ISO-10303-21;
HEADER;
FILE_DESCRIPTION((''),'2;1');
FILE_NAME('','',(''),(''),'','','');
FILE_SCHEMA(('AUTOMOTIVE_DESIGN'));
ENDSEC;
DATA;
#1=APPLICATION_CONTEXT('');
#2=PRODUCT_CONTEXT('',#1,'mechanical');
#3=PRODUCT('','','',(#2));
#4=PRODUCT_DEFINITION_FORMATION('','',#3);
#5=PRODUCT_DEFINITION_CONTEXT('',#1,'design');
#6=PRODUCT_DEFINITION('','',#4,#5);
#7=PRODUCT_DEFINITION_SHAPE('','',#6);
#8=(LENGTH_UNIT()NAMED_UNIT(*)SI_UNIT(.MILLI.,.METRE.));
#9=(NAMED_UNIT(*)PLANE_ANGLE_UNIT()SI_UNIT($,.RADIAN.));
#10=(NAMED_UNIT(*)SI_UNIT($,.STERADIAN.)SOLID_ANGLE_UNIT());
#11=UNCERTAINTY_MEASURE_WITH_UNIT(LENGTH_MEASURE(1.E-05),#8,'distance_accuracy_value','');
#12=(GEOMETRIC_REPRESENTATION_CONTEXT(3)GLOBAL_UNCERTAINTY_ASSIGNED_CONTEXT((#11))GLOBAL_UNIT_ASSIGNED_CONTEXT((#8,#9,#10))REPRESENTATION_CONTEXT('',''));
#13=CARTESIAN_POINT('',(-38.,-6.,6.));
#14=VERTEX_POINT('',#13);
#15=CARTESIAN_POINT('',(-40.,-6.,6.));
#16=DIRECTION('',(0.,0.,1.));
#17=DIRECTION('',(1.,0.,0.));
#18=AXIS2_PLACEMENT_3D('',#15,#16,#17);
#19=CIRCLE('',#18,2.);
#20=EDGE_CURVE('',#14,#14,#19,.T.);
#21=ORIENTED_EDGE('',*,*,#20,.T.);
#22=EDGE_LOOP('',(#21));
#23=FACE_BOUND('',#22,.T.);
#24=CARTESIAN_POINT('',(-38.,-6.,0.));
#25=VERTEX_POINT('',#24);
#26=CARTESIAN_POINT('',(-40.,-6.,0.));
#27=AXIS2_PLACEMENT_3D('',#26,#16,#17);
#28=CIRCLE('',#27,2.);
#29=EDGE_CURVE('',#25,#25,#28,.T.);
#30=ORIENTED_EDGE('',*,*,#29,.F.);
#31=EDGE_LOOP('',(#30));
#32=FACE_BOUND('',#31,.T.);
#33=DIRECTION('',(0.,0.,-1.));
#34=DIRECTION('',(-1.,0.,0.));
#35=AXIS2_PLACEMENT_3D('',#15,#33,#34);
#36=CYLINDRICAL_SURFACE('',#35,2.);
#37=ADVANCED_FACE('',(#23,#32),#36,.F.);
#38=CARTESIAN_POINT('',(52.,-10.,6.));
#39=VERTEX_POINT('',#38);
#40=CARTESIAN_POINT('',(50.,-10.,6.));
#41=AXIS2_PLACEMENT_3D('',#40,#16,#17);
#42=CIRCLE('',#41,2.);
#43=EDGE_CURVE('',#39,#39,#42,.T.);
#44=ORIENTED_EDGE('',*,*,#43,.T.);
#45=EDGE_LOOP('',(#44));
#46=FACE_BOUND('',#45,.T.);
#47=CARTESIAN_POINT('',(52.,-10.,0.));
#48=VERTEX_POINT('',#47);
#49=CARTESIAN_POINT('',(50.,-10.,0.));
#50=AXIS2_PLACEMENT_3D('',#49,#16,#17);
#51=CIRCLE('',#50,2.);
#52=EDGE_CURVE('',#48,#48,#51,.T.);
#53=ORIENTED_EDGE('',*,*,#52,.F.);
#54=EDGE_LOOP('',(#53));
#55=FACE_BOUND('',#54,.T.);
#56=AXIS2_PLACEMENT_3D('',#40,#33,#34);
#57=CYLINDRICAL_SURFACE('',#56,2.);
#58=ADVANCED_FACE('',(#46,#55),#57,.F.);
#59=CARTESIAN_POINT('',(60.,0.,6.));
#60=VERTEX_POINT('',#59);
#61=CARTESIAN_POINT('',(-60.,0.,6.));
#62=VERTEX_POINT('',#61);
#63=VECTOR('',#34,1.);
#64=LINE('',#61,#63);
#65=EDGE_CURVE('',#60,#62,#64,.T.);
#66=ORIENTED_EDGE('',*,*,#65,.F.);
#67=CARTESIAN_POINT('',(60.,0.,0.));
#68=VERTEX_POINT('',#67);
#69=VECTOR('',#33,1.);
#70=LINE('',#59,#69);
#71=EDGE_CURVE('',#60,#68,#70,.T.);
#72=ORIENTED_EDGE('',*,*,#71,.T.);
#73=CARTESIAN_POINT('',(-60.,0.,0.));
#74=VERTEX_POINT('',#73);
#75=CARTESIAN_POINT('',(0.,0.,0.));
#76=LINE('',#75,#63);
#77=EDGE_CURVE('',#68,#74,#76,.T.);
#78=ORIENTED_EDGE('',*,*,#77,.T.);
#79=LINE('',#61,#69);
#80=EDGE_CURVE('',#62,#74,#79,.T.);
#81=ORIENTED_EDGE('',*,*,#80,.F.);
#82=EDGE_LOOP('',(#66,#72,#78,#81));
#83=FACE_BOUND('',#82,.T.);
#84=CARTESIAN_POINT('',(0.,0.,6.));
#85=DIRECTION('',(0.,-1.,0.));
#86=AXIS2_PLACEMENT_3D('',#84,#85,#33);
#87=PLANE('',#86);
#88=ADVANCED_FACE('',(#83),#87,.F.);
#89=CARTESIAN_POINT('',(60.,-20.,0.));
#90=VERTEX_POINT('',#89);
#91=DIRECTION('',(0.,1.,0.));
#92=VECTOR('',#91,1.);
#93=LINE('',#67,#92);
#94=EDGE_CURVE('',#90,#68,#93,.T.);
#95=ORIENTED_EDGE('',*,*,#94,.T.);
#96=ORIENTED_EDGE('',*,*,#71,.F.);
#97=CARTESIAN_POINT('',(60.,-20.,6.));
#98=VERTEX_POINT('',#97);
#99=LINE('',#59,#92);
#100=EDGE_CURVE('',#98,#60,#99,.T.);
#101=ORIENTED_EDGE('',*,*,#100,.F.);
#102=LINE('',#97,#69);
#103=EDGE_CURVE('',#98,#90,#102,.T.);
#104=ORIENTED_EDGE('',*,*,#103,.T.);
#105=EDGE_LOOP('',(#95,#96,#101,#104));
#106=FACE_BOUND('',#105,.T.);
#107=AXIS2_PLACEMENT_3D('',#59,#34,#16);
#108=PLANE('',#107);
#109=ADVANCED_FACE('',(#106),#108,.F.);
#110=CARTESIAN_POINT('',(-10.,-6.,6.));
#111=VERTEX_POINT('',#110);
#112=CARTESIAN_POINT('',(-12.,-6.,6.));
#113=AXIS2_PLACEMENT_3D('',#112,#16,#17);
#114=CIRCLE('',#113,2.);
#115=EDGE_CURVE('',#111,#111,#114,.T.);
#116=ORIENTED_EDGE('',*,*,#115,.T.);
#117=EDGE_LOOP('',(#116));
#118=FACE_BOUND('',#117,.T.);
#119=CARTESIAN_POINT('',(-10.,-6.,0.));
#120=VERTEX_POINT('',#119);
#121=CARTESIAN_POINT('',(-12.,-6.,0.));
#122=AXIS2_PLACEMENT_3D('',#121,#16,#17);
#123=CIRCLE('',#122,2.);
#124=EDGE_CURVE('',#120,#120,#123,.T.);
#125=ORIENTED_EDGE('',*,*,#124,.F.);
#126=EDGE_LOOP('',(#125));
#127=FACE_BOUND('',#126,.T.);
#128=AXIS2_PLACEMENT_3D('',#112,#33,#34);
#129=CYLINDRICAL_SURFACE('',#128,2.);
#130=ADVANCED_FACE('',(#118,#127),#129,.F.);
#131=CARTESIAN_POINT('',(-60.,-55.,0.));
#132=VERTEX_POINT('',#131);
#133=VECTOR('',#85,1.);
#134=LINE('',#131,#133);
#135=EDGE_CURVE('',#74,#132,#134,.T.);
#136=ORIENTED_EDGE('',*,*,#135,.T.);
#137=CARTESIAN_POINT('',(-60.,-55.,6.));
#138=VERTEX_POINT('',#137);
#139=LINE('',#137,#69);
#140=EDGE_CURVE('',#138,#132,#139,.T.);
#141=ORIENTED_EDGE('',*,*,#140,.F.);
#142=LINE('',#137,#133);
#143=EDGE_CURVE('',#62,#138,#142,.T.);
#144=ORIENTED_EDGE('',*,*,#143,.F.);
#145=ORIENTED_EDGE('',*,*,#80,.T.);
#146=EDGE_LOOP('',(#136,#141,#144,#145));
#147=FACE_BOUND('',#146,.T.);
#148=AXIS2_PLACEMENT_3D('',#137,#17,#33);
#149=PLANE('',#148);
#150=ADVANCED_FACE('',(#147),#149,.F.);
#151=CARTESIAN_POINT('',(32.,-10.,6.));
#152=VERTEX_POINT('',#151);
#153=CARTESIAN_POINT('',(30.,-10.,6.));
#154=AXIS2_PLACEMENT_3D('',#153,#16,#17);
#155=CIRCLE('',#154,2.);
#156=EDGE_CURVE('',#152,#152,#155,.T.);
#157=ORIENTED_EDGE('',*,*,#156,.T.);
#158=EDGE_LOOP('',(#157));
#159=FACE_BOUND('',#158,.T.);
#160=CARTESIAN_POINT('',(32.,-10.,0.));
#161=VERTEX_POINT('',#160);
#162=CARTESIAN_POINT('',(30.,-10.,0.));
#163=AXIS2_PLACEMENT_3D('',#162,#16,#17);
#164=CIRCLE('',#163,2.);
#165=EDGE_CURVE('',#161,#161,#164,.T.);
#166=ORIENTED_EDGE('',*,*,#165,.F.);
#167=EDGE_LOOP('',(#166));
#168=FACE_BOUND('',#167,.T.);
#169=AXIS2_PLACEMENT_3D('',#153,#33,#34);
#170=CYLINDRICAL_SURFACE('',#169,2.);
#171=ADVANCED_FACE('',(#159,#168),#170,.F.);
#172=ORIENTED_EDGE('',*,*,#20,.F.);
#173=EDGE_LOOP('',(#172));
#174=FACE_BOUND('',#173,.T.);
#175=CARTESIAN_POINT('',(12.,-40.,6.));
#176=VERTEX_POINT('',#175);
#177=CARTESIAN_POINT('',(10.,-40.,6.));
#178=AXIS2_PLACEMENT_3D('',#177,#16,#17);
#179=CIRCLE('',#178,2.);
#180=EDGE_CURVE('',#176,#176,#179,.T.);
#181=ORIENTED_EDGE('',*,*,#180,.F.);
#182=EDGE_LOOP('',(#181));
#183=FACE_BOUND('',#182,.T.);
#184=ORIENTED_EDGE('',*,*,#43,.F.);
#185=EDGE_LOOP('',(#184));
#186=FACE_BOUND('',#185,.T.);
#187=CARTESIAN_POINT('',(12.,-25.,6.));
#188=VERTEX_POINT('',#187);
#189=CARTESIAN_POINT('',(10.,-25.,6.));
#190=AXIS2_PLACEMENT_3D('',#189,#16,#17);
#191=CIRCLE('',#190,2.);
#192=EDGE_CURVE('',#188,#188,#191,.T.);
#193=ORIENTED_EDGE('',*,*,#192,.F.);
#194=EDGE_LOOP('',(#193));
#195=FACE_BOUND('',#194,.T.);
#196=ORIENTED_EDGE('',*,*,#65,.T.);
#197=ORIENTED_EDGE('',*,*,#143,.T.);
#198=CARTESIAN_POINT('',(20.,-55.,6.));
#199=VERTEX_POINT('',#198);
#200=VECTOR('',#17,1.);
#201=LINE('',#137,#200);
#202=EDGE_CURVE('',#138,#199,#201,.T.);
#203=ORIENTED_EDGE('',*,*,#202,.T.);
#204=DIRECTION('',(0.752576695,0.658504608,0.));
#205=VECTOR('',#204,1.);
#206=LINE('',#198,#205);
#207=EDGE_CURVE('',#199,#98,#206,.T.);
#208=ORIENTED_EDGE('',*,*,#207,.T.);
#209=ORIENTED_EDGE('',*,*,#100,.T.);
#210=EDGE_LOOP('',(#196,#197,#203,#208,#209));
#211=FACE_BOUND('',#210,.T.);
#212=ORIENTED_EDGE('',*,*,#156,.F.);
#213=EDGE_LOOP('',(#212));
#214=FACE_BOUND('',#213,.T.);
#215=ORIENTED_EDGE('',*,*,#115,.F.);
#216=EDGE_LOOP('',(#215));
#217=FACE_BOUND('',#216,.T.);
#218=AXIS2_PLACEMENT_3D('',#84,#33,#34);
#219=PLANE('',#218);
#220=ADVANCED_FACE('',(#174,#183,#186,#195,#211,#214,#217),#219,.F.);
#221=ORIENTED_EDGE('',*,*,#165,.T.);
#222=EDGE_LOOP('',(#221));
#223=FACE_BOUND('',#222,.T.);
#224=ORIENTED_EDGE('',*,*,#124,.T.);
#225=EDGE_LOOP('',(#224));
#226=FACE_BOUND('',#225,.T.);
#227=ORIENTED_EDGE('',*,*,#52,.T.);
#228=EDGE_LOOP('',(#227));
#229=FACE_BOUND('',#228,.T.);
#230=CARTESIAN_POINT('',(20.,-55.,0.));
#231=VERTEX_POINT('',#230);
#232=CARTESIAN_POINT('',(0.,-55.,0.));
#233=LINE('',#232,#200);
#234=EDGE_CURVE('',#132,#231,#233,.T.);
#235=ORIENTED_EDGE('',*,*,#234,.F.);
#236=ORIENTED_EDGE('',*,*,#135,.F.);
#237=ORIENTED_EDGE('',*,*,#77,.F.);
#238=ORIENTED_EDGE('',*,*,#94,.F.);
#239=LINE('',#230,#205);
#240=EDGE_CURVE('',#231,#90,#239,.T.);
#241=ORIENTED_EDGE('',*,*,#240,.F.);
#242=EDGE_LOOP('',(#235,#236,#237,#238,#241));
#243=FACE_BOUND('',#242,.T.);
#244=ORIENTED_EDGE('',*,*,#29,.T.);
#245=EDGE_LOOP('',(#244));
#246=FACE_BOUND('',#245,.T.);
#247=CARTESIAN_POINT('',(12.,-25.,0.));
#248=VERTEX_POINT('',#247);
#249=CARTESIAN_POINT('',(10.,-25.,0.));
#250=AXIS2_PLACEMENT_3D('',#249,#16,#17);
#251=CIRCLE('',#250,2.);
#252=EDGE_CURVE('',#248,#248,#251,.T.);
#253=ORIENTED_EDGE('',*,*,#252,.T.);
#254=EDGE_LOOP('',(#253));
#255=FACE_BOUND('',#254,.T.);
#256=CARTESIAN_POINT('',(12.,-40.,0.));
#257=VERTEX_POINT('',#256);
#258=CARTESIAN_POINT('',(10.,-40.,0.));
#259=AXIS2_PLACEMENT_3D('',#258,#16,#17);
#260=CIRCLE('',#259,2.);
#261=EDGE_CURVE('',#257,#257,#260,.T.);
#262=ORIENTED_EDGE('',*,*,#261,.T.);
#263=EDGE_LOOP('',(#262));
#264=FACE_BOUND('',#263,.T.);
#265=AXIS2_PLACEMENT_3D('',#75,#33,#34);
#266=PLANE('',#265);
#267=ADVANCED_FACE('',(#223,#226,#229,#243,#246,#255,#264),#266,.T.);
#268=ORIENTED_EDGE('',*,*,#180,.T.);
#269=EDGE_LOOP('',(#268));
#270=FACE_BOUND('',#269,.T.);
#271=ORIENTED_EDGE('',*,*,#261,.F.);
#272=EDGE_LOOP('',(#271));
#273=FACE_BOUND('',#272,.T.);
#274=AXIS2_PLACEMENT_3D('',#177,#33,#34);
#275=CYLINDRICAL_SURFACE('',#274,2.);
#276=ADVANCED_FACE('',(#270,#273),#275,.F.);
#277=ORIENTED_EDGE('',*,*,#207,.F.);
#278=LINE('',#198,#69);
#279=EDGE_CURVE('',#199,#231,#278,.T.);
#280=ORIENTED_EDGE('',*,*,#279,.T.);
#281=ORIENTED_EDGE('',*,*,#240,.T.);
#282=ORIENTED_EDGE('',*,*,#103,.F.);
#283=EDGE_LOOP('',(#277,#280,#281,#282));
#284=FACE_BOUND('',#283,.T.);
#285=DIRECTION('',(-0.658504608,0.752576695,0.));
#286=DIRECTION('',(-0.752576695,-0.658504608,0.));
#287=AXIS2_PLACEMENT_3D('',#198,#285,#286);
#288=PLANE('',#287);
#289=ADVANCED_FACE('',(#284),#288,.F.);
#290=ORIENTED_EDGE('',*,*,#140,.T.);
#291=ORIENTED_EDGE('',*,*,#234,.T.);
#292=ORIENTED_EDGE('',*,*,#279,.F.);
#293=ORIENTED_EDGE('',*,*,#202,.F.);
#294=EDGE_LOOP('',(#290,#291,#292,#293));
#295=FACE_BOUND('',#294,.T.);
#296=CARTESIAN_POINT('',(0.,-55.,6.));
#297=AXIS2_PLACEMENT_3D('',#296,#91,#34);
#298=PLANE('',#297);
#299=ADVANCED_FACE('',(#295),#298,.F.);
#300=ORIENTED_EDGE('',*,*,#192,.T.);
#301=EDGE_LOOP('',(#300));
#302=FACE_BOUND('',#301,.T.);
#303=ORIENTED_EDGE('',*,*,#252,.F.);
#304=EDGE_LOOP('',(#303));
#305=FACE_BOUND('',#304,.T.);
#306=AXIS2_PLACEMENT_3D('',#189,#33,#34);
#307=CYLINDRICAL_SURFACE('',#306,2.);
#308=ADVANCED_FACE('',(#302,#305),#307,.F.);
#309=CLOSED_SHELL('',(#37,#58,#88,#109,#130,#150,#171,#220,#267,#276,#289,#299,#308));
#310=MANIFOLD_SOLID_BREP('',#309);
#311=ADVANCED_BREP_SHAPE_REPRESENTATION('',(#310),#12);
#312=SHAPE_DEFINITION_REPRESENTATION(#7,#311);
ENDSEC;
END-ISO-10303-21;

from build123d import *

# Parameters (mm, degrees)
SKETCH1_R           = 2
BOSS_EXTRUDE1_DEPTH = 6


with BuildPart() as part:
    # Sketch1 → Boss-Extrude1 (new body)
    with BuildSketch(Plane.XY):
        Polygon((20, -55), (60, -20), (60, 0), (0, 0), (-60, 0), (-60, -55), (0, -55), align=None)
        with Locations((50, -10)):
            Circle(SKETCH1_R, mode=Mode.SUBTRACT)
        with Locations((30, -10)):
            Circle(SKETCH1_R, mode=Mode.SUBTRACT)
        with Locations((10, -40)):
            Circle(SKETCH1_R, mode=Mode.SUBTRACT)
        with Locations((10, -25)):
            Circle(SKETCH1_R, mode=Mode.SUBTRACT)
        with Locations((-40, -6)):
            Circle(SKETCH1_R, mode=Mode.SUBTRACT)
        with Locations((-12, -6)):
            Circle(SKETCH1_R, mode=Mode.SUBTRACT)
    extrude(amount=BOSS_EXTRUDE1_DEPTH)


solid = part.part
